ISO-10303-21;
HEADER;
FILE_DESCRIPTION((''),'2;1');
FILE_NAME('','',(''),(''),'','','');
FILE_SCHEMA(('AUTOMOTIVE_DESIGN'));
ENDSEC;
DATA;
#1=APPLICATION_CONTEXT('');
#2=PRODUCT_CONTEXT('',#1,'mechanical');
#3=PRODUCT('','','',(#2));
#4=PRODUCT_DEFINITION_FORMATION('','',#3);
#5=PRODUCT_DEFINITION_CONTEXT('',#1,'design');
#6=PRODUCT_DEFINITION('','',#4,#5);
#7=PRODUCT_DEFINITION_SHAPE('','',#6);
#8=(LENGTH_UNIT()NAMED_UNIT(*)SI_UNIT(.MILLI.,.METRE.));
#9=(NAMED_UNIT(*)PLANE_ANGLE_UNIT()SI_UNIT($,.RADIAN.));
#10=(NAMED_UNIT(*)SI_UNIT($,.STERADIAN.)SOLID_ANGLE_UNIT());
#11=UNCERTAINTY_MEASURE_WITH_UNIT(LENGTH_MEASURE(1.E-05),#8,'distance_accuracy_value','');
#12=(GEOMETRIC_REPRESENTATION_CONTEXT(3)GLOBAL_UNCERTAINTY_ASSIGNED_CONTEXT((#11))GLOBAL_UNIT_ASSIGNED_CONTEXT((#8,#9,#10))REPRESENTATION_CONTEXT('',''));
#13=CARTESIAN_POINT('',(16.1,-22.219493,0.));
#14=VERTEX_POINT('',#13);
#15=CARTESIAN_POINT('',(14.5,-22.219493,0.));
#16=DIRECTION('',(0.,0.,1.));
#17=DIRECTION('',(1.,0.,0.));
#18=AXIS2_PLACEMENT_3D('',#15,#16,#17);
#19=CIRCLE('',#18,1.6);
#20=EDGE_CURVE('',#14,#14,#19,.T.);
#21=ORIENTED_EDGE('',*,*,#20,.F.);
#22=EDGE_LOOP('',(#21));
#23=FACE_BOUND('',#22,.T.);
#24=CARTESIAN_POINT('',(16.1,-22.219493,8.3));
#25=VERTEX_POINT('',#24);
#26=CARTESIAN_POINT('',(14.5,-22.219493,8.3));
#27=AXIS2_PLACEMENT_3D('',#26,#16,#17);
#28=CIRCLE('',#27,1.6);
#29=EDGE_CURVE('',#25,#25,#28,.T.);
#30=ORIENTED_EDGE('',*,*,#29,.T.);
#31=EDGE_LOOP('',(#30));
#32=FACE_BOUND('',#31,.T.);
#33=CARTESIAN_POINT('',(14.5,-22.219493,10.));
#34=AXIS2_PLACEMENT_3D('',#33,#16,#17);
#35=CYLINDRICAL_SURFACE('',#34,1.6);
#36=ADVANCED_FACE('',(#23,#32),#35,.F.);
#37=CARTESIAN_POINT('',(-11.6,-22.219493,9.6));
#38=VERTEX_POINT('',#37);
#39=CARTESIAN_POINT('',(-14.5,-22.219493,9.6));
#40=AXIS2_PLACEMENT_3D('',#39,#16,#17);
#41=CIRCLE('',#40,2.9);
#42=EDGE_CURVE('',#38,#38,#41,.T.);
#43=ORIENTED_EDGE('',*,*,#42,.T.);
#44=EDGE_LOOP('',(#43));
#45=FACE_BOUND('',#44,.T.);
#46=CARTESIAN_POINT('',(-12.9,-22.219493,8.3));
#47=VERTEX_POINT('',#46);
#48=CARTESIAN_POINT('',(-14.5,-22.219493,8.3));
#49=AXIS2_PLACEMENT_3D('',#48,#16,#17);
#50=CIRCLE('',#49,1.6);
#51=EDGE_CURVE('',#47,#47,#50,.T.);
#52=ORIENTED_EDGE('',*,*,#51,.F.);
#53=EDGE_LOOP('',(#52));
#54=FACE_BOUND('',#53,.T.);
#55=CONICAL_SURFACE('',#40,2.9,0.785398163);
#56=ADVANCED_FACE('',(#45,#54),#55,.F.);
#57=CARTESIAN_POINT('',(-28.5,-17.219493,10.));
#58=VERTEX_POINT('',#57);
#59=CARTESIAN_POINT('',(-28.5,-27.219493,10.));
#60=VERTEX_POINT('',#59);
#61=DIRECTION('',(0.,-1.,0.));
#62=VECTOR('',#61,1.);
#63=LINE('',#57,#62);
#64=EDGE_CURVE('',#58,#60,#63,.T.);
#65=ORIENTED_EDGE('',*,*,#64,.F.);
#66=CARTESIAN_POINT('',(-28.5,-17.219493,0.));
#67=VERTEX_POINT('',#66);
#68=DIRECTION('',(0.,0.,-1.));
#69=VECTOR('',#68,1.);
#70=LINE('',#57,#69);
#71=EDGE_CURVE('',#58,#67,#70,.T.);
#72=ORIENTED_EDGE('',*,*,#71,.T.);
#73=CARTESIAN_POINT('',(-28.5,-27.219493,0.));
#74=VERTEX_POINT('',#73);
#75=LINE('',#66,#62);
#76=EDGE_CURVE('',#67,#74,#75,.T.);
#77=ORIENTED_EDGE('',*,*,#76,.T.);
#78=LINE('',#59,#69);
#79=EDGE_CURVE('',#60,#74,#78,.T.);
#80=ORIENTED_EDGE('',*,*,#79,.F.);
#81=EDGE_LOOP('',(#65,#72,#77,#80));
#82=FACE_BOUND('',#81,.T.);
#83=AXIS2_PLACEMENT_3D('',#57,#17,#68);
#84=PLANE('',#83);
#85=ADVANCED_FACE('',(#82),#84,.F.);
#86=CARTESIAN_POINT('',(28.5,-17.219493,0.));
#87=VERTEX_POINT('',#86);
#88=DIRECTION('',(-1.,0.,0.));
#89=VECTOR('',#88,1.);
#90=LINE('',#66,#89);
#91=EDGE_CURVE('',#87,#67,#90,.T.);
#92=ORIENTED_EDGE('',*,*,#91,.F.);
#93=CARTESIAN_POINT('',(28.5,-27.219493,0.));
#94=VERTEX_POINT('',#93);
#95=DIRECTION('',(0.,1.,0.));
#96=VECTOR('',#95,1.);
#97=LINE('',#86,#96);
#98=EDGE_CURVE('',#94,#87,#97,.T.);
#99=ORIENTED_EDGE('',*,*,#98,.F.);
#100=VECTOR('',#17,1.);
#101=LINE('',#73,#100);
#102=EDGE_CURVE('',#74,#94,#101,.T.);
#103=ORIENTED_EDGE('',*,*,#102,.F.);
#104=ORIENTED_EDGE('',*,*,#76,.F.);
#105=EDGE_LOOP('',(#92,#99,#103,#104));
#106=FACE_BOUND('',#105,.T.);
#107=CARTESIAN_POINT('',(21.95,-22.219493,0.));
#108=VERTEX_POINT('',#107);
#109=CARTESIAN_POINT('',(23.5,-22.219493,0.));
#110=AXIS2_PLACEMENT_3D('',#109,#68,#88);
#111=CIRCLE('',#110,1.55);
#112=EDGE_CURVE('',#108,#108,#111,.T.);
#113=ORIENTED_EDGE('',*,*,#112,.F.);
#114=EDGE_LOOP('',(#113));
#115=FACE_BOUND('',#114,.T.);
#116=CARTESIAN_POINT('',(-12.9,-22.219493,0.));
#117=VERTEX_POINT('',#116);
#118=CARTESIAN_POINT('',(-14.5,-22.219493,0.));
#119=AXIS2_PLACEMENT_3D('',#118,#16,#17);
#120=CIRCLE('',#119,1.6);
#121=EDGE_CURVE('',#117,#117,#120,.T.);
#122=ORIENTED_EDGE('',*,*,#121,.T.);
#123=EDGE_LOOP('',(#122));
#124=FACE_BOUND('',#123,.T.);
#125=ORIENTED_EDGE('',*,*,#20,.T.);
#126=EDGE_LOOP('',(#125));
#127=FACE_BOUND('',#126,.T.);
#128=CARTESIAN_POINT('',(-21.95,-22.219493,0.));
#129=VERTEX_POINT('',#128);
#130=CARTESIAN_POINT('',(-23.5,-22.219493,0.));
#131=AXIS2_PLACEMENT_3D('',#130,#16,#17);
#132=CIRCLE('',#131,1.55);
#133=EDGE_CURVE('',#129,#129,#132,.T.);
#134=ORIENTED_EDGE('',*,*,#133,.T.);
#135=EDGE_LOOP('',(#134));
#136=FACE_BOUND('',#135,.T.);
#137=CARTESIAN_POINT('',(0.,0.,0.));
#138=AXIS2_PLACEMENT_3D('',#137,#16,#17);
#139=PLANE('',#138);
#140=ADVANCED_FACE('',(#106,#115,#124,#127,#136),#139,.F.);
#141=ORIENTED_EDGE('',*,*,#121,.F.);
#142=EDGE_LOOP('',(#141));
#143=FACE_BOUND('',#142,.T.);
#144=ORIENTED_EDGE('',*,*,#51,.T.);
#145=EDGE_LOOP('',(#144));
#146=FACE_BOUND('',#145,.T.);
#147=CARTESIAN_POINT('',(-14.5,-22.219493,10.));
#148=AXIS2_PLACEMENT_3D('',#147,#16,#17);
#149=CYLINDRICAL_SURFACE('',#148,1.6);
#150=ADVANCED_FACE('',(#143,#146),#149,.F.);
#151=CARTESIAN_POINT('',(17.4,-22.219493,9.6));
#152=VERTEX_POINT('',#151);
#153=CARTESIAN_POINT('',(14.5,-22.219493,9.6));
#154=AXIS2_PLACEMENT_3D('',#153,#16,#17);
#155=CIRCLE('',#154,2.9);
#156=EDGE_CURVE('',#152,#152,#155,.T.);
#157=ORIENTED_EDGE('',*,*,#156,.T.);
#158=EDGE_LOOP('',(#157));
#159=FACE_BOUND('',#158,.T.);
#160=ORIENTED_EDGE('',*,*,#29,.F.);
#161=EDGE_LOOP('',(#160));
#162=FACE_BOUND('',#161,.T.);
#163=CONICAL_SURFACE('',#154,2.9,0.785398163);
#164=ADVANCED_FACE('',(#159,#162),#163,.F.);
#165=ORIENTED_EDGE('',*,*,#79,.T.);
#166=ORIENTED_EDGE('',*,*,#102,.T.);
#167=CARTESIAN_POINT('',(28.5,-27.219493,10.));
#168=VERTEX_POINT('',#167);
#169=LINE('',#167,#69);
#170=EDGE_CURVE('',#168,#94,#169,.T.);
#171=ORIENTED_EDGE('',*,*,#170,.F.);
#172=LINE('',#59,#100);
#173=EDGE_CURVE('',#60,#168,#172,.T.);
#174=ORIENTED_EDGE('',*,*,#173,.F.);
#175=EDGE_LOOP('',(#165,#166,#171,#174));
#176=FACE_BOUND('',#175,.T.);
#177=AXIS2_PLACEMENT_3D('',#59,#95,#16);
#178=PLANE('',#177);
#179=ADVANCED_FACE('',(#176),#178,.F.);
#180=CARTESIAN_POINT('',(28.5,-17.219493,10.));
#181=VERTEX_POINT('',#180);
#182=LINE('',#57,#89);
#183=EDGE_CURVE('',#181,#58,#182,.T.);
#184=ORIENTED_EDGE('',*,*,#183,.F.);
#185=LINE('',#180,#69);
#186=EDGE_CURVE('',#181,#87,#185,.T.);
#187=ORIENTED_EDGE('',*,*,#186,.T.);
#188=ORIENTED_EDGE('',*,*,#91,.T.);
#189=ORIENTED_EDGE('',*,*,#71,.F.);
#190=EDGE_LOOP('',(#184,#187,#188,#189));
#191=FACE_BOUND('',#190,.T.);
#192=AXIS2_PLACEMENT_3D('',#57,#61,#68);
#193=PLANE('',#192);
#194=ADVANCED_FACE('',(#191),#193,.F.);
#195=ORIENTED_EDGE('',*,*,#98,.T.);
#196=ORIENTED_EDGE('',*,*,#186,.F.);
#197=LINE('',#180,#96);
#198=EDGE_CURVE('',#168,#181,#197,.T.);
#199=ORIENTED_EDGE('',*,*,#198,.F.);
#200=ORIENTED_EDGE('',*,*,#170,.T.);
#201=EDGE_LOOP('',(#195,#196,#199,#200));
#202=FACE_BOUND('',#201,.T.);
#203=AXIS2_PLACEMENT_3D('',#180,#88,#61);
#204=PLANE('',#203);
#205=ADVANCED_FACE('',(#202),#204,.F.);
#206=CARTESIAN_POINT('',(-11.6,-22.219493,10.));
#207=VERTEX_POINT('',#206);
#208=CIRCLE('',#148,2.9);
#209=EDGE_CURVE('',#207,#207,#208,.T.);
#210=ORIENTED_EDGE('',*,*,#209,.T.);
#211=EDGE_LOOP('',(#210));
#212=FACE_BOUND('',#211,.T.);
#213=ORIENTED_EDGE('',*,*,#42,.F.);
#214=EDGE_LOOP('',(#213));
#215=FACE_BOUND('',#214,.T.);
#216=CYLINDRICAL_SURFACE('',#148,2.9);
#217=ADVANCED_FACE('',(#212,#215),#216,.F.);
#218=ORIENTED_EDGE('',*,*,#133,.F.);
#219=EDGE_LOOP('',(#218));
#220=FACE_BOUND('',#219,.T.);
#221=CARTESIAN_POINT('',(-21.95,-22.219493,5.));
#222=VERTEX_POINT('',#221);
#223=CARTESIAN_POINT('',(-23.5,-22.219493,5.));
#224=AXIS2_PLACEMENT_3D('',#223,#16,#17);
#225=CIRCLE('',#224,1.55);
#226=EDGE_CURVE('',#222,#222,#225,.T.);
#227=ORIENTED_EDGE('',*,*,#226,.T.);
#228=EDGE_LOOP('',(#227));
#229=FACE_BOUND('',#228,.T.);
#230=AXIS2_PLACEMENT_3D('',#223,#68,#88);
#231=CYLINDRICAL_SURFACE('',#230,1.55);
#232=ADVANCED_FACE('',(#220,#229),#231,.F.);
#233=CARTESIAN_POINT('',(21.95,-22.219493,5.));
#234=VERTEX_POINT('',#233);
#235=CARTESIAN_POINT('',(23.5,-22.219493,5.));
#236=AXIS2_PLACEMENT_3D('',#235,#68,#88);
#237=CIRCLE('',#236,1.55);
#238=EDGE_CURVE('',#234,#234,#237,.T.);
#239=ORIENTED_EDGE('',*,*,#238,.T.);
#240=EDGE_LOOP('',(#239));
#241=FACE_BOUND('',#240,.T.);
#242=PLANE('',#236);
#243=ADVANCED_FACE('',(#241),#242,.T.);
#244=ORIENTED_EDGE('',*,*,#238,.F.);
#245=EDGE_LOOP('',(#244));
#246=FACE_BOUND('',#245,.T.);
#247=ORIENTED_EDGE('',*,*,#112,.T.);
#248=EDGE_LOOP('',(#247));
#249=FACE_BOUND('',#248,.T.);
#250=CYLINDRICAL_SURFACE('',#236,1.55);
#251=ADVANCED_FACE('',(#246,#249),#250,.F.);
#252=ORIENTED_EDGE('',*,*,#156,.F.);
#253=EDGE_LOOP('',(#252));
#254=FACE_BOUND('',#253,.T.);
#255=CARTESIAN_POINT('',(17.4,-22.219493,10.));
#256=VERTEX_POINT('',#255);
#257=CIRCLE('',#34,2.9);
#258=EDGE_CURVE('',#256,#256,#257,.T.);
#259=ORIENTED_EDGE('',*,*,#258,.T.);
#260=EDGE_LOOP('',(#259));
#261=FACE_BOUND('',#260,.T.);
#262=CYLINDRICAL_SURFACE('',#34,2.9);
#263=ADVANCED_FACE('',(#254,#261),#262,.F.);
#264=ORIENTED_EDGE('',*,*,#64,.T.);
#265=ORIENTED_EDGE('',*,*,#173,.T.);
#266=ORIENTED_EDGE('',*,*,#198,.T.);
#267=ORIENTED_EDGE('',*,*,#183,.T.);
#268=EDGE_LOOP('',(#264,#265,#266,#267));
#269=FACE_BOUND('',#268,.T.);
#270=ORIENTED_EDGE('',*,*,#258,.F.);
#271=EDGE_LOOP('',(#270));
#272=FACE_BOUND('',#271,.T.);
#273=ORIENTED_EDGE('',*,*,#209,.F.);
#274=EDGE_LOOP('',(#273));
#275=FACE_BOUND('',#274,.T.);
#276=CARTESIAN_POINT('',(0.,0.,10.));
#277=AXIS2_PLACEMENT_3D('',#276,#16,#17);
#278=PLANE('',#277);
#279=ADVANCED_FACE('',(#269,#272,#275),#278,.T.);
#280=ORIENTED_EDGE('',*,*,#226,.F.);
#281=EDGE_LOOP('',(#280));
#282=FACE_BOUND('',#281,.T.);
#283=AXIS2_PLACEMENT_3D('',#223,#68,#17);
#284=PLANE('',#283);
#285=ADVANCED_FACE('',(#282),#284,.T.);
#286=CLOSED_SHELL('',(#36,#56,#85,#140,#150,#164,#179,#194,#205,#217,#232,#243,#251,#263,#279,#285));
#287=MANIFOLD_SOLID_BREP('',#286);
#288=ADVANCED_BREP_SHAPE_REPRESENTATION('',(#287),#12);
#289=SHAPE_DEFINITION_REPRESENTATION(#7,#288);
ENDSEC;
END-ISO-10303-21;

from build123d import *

# Parameters (mm, degrees)
ESQUISSE1_W                              = 57
ESQUISSE1_H                              = 10
BOSS_EXTRU_1_DEPTH                       = 10
FRAISAGE_POUR_VIS_T_TE_FRAIS_E_6_2_COUNT = 2
FRAISAGE_POUR_VIS_T_TE_FRAIS_E_6_2_PITCH = 29
ESQUISSE8_R                              = 1.55
ENL_V_MAT_EXTRU_1_DEPTH                  = 5


with BuildPart() as part:
    # Esquisse1 → Boss.-Extru.1 (new body)
    with BuildSketch(Plane.XY):
        with Locations((0, -22.219493411)):
            Rectangle(ESQUISSE1_W, ESQUISSE1_H)
    extrude(amount=BOSS_EXTRU_1_DEPTH)

    # Esquisse6 → Fraisage pour vis à tête fraisée à 6 pans creux M31 (revolve, cut)
    with BuildSketch(Plane(origin=(-14.5, -22.219493411, 10), x_dir=(0, -1, 0), z_dir=(1, 0, 0))):
        Polygon((0, 0), (0, 10), (1.6, 10), (1.6, 1.7), (2.9, 0.4), (2.9, 0), align=None)
    fraisage_pour_vis_t_te_frais_e_6_pan = revolve(axis=Axis((-14.5, -22.219493411, 16.35), (0, 0, -1)), mode=Mode.SUBTRACT)

    # Fraisage pour vis _ t_te frais_e _ 6 2: Fraisage pour vis à tête fraisée à 6 pans creux M31 ×2
    with Locations(*[(i * FRAISAGE_POUR_VIS_T_TE_FRAIS_E_6_2_PITCH, 0, 0) for i in range(1, FRAISAGE_POUR_VIS_T_TE_FRAIS_E_6_2_COUNT)]):
        add(fraisage_pour_vis_t_te_frais_e_6_pan, mode=Mode.SUBTRACT)

    # Esquisse8 → Enlèv. mat.-Extru.1 (cut)
    with BuildSketch(Plane(origin=(0, 0, 0), x_dir=(-1, 0, 0), z_dir=(0, 0, -1))):
        with Locations((-23.5, -22.219493411)):
            Circle(ESQUISSE8_R)
    enl_v_mat_extru_1 = extrude(amount=-ENL_V_MAT_EXTRU_1_DEPTH, mode=Mode.SUBTRACT)

    # Symétrie1: Enlèv. mat.-Extru.1 across plane
    add(enl_v_mat_extru_1.mirror(Plane(origin=(0, 0, 0), x_dir=(0, 0, 1), z_dir=(1, 0, 0))), mode=Mode.SUBTRACT)


solid = part.part
